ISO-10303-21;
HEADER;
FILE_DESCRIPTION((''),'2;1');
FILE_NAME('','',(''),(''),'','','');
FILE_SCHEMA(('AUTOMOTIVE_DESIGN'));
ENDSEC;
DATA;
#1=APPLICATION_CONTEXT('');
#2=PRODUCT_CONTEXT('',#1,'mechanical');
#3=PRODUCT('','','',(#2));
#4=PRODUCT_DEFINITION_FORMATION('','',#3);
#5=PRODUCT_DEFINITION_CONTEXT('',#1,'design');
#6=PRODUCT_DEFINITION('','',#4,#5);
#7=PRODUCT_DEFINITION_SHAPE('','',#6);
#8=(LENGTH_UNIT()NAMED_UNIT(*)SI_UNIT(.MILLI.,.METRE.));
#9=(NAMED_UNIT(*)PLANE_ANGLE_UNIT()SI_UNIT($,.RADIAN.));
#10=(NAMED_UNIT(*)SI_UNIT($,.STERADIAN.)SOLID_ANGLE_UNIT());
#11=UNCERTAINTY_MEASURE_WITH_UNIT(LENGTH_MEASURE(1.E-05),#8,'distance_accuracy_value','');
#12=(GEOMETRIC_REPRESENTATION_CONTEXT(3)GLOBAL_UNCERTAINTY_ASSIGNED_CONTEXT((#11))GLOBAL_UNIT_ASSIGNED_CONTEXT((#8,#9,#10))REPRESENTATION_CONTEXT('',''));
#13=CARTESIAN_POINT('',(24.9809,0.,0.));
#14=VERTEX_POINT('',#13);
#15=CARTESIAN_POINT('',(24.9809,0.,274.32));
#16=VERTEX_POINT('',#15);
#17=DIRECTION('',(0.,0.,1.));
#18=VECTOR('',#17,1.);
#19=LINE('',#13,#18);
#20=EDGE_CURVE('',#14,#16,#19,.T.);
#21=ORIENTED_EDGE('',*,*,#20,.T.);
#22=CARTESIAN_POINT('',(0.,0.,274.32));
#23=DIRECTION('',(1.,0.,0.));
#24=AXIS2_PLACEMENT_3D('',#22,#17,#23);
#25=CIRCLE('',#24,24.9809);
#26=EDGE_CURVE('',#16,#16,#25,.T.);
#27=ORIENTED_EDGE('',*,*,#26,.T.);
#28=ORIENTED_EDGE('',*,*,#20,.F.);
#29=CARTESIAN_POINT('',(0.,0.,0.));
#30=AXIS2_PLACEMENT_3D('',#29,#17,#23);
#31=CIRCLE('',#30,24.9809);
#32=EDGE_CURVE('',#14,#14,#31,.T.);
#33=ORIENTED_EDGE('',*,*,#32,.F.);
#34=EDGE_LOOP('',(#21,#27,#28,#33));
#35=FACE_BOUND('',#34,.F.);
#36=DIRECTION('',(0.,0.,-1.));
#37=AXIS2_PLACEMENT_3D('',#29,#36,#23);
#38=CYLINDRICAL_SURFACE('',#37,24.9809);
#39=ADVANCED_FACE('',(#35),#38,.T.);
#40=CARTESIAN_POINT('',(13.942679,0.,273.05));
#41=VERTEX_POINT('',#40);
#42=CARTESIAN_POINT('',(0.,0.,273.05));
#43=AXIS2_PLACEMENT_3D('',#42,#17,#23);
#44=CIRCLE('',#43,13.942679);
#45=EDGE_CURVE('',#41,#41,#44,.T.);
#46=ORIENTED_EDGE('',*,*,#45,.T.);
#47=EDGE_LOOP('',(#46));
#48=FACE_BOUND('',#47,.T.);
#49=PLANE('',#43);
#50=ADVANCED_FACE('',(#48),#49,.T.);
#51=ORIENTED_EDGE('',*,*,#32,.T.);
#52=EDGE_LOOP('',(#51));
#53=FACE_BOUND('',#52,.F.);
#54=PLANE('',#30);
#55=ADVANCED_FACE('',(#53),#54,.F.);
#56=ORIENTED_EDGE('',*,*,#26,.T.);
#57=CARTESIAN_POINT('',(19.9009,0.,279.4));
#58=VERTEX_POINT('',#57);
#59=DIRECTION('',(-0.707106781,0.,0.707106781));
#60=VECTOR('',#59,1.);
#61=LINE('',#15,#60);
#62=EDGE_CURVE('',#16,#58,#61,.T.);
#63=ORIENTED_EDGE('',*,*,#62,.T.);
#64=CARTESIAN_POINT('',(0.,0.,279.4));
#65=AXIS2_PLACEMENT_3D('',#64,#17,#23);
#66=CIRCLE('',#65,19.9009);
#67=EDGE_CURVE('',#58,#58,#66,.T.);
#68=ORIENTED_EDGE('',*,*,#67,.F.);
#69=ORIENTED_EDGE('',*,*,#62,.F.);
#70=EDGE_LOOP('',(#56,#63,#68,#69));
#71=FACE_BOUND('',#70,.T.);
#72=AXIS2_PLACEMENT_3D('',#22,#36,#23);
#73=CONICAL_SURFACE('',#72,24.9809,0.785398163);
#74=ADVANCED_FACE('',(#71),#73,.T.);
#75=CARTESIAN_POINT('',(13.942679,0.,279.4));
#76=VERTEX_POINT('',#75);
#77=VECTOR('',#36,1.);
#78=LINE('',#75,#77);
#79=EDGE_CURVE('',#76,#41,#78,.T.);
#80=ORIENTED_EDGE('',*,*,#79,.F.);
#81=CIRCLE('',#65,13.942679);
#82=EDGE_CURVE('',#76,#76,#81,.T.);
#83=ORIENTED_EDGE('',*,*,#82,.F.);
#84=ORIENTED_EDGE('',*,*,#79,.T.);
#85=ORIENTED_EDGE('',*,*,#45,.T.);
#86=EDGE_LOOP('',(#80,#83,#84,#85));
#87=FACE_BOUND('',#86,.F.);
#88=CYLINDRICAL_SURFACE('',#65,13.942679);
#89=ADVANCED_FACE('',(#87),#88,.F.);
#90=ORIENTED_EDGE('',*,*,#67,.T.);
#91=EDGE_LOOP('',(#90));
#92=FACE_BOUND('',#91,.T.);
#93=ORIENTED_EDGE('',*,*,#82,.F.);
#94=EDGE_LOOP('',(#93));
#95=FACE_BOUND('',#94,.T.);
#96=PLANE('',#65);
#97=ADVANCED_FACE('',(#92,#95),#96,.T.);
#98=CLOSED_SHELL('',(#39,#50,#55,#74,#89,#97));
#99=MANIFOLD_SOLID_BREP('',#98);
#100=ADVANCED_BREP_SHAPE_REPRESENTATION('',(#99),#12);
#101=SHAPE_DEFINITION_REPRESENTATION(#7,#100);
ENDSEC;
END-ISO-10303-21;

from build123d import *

# Parameters (mm, degrees)
F0_R     = 24.9809
F1_DEPTH = 279.4
F2_SIZE  = 5.08
F3_R     = 13.942679
F4_DEPTH = 6.35


with BuildPart() as f1:
    # F0 (on Top) → F1 (new body)
    with BuildSketch(Plane.XY):
        Circle(F0_R)
    extrude(amount=F1_DEPTH)

    # F2
    f2_edges = [f1.edges().sort_by_distance(p)[0] for p in [
        (-24.9809, 0, 279.4),
    ]]
    chamfer(f2_edges, length=F2_SIZE)

    # F3 (on face) → F4 (cut)
    with BuildSketch(Plane.XY.offset(279.4)):
        Circle(F3_R)
    extrude(amount=-F4_DEPTH, mode=Mode.SUBTRACT)


solid = f1.part
